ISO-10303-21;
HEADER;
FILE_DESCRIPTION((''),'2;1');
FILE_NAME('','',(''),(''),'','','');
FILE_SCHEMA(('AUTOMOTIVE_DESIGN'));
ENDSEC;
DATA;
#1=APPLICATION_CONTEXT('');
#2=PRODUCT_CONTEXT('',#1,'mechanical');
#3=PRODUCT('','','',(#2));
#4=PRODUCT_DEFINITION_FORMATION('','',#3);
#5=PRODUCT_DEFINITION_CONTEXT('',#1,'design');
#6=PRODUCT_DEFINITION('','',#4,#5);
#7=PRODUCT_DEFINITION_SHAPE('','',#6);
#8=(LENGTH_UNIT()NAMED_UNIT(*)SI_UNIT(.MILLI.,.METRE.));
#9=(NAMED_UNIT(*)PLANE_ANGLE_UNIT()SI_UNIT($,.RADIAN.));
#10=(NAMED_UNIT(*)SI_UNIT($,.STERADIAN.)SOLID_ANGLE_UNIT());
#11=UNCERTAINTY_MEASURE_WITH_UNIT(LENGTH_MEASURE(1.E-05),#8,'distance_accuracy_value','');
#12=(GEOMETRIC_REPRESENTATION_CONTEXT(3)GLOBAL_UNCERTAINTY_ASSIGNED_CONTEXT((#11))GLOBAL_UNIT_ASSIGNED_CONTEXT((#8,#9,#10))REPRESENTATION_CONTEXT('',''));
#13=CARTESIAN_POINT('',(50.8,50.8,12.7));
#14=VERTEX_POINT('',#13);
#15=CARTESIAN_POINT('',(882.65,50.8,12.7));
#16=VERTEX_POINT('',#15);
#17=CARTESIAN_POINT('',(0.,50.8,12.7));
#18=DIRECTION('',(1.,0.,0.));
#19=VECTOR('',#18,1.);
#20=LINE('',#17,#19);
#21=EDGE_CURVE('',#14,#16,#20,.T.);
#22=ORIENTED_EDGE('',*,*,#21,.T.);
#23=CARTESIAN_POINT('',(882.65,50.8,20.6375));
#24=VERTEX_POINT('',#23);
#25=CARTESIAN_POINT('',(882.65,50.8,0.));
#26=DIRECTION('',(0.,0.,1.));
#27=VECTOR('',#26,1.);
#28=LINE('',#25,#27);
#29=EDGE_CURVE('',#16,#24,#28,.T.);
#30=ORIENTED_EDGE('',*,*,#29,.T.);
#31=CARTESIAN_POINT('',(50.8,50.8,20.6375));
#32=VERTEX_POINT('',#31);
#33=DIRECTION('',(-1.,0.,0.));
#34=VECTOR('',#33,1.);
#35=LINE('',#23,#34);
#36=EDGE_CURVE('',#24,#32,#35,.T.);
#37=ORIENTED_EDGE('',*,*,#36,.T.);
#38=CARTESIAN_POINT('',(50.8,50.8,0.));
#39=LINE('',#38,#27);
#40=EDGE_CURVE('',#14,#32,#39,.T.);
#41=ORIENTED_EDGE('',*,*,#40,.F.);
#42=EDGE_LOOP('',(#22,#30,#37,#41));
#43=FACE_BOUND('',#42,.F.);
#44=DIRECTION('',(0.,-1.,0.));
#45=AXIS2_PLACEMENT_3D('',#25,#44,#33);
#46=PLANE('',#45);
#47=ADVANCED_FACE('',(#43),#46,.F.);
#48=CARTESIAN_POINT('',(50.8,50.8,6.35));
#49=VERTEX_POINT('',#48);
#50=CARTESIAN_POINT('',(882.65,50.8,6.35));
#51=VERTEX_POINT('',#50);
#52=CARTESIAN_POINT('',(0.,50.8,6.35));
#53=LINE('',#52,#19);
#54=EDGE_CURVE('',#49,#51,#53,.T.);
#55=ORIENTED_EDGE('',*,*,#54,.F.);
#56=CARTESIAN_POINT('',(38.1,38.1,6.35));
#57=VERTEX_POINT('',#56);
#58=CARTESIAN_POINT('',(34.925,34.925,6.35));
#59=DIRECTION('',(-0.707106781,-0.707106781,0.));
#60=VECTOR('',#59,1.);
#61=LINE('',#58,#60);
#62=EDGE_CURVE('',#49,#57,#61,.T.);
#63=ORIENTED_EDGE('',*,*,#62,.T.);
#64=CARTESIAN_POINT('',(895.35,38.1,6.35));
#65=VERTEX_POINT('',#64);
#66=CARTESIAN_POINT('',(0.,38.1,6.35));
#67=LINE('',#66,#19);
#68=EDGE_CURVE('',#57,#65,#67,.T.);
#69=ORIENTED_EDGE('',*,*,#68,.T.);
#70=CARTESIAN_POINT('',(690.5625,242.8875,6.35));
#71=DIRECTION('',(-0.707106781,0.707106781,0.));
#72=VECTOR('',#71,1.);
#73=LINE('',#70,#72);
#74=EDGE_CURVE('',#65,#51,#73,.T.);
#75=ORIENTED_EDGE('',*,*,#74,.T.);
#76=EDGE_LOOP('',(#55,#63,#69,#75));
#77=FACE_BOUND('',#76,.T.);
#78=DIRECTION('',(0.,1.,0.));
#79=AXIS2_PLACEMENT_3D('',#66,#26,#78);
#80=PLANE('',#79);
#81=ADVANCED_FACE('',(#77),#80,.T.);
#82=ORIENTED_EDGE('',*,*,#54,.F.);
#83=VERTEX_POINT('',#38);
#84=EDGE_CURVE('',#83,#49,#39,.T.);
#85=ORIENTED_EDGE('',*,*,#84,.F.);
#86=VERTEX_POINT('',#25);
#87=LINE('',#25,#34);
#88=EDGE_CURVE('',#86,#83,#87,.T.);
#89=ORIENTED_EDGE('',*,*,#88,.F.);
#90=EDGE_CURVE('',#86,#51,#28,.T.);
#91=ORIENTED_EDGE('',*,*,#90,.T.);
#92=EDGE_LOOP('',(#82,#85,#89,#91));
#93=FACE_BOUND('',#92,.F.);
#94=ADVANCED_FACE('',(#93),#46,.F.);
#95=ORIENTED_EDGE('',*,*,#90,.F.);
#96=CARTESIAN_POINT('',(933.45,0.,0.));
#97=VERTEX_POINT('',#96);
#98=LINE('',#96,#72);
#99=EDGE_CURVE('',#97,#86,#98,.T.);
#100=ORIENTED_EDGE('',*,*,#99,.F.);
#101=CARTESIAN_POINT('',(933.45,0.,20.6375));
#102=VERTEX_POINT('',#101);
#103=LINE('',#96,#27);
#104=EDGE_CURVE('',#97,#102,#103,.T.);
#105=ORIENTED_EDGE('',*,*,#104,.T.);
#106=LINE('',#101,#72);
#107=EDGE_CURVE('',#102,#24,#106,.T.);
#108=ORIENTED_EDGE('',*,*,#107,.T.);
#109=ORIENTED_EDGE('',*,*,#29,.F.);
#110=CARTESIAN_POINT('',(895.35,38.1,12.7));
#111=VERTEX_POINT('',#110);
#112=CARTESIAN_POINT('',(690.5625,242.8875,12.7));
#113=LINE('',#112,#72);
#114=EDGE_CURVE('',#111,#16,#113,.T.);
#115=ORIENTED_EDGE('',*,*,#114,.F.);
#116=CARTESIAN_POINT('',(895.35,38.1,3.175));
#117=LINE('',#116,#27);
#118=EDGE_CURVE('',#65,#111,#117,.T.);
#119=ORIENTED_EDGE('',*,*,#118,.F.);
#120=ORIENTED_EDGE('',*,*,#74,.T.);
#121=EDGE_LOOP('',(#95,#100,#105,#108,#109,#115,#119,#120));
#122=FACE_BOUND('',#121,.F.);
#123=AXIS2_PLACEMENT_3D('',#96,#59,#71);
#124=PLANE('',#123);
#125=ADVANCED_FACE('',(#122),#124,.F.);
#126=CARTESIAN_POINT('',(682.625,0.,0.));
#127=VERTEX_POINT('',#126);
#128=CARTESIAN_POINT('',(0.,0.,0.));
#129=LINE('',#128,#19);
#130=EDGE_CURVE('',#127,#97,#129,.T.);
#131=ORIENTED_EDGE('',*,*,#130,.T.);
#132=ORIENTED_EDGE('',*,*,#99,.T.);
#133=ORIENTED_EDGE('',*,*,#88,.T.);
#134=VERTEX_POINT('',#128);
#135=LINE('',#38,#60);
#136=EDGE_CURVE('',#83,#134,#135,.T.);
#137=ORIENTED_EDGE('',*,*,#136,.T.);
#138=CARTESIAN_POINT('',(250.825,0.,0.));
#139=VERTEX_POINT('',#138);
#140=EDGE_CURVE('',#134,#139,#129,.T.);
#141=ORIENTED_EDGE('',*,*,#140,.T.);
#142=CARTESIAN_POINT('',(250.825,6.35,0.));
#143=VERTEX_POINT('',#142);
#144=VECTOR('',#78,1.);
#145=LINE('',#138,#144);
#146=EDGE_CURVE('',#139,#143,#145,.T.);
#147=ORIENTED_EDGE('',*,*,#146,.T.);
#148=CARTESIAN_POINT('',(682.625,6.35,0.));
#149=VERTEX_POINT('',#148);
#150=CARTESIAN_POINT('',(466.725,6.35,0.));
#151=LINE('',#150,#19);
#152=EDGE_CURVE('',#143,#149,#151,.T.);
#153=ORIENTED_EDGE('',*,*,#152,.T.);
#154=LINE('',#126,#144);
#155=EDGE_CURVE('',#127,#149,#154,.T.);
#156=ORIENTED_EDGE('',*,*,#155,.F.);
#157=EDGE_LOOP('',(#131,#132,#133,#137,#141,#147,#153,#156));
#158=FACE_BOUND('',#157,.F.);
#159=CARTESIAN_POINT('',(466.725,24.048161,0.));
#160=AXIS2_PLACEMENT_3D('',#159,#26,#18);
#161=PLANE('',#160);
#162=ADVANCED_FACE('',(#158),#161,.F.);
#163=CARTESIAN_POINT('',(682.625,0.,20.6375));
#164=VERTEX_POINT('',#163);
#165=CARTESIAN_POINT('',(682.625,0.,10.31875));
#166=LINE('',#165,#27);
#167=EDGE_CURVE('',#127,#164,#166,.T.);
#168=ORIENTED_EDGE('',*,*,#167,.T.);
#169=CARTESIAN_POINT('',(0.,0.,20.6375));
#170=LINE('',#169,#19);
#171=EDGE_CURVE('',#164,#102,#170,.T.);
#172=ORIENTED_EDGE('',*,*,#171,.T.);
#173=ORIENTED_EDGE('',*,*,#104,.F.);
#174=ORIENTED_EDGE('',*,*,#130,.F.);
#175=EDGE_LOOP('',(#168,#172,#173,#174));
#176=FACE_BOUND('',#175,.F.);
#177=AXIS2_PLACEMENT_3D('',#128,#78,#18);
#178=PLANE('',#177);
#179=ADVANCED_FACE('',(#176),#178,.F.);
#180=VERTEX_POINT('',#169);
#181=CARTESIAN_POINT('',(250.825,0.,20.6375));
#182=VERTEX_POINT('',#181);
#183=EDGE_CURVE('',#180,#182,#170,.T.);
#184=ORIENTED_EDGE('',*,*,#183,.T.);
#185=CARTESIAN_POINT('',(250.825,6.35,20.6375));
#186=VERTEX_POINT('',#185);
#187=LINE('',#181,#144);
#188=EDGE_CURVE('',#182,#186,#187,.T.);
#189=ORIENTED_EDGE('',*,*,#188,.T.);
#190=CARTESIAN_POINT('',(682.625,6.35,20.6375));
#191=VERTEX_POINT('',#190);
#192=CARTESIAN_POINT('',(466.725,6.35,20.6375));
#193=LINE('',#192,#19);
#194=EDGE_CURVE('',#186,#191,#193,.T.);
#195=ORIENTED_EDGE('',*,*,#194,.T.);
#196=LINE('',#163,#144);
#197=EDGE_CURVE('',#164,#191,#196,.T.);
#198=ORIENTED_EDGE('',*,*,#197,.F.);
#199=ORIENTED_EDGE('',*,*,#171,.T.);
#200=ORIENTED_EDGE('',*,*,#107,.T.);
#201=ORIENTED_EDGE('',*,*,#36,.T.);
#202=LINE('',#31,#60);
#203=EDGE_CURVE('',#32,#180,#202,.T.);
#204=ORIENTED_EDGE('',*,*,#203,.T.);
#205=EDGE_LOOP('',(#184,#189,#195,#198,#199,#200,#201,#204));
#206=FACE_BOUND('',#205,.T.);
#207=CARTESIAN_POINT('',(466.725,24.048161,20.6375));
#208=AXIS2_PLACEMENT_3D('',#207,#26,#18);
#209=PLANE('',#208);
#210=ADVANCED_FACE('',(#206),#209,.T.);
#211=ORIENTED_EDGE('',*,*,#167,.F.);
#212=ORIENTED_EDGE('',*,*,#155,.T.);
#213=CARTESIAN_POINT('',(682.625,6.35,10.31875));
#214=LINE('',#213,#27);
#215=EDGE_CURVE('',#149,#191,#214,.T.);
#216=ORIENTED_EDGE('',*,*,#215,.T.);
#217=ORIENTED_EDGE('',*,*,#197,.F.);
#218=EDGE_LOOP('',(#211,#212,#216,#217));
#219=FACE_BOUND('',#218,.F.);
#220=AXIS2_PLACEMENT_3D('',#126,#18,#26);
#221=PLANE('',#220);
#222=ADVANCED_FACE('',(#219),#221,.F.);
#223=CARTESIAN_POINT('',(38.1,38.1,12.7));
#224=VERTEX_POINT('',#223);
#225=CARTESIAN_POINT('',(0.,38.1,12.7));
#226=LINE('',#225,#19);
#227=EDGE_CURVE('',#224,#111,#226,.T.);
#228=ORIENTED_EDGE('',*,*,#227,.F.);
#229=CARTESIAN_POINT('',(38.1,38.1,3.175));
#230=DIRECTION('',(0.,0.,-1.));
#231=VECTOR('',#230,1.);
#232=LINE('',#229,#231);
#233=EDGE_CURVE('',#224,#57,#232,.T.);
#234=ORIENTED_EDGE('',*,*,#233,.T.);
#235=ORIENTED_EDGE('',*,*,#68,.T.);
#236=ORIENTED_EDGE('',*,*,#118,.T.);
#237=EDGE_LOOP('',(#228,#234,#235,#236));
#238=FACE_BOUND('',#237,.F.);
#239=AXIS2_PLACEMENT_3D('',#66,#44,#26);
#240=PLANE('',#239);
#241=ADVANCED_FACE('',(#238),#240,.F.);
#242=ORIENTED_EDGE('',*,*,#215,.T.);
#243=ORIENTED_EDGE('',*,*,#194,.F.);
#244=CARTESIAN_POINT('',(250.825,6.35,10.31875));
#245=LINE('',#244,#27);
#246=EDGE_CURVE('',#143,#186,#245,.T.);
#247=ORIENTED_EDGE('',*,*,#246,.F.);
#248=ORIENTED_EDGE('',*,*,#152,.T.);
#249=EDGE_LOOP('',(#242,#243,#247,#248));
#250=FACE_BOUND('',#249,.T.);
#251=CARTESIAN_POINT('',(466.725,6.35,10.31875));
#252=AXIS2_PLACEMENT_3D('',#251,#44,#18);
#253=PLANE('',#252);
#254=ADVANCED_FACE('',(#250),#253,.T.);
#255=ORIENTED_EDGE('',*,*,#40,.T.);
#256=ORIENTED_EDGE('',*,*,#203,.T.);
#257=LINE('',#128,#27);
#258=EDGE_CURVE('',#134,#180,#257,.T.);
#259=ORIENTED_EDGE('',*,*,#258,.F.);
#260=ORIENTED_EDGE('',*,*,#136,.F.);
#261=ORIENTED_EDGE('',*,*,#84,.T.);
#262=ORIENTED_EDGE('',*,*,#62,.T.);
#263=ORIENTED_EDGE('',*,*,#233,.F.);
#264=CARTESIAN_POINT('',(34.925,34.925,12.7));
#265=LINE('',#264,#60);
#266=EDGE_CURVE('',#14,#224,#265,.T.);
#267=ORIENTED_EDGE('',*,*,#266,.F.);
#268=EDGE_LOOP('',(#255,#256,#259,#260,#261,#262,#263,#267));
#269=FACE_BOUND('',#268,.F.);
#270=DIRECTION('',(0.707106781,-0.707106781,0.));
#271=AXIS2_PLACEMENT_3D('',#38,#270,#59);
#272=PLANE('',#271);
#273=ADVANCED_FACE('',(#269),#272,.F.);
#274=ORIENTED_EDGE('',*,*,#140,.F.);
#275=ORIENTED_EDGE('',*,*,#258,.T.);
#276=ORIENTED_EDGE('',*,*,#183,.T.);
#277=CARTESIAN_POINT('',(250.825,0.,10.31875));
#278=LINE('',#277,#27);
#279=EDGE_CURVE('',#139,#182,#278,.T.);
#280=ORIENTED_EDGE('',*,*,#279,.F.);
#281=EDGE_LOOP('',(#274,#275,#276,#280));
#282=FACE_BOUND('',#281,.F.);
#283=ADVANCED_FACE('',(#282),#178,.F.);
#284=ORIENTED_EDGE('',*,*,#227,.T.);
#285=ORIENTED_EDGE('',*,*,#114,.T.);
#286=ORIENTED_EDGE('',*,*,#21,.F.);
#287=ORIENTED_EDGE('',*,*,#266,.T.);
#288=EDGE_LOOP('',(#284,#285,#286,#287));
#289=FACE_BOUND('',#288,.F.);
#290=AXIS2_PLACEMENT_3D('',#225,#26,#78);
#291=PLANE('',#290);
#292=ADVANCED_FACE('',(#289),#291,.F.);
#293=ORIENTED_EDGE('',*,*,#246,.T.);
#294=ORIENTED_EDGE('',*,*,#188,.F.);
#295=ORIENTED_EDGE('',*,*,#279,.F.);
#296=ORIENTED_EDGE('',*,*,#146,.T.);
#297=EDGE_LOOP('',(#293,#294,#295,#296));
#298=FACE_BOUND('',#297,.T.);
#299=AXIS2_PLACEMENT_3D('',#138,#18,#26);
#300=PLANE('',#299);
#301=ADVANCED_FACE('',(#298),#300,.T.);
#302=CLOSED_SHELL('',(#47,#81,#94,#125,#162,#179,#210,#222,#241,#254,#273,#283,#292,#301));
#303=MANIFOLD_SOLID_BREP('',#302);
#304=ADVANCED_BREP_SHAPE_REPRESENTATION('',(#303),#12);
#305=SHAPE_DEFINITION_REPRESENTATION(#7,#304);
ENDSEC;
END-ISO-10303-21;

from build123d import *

# Parameters (mm, degrees)
F1_DEPTH = 20.6375
F2_W     = 12.7
F2_H     = 6.35
F3_DEPTH = 933.451
F4_W     = 431.8
F4_H     = 20.6375
F5_DEPTH = 6.35


with BuildPart() as f1:
    # F0 (on Top) → F1 (new body)
    with BuildSketch(Plane.XY):
        Polygon((50.8, 50.8), (0, 0), (933.45, 0), (882.65, 50.8), align=None)
    extrude(amount=F1_DEPTH)

    # F2 (on Right) → F3 (cut, through all)
    with BuildSketch(Plane.YZ):
        with Locations((44.45, 9.525)):
            Rectangle(F2_W, F2_H)
    extrude(amount=F3_DEPTH, mode=Mode.SUBTRACT)

    # F4 (on face) → F5 (cut)
    with BuildSketch(Plane.XZ):
        with Locations((466.725, 10.31875)):
            Rectangle(F4_W, F4_H)
    extrude(amount=-F5_DEPTH, mode=Mode.SUBTRACT)


solid = f1.part
